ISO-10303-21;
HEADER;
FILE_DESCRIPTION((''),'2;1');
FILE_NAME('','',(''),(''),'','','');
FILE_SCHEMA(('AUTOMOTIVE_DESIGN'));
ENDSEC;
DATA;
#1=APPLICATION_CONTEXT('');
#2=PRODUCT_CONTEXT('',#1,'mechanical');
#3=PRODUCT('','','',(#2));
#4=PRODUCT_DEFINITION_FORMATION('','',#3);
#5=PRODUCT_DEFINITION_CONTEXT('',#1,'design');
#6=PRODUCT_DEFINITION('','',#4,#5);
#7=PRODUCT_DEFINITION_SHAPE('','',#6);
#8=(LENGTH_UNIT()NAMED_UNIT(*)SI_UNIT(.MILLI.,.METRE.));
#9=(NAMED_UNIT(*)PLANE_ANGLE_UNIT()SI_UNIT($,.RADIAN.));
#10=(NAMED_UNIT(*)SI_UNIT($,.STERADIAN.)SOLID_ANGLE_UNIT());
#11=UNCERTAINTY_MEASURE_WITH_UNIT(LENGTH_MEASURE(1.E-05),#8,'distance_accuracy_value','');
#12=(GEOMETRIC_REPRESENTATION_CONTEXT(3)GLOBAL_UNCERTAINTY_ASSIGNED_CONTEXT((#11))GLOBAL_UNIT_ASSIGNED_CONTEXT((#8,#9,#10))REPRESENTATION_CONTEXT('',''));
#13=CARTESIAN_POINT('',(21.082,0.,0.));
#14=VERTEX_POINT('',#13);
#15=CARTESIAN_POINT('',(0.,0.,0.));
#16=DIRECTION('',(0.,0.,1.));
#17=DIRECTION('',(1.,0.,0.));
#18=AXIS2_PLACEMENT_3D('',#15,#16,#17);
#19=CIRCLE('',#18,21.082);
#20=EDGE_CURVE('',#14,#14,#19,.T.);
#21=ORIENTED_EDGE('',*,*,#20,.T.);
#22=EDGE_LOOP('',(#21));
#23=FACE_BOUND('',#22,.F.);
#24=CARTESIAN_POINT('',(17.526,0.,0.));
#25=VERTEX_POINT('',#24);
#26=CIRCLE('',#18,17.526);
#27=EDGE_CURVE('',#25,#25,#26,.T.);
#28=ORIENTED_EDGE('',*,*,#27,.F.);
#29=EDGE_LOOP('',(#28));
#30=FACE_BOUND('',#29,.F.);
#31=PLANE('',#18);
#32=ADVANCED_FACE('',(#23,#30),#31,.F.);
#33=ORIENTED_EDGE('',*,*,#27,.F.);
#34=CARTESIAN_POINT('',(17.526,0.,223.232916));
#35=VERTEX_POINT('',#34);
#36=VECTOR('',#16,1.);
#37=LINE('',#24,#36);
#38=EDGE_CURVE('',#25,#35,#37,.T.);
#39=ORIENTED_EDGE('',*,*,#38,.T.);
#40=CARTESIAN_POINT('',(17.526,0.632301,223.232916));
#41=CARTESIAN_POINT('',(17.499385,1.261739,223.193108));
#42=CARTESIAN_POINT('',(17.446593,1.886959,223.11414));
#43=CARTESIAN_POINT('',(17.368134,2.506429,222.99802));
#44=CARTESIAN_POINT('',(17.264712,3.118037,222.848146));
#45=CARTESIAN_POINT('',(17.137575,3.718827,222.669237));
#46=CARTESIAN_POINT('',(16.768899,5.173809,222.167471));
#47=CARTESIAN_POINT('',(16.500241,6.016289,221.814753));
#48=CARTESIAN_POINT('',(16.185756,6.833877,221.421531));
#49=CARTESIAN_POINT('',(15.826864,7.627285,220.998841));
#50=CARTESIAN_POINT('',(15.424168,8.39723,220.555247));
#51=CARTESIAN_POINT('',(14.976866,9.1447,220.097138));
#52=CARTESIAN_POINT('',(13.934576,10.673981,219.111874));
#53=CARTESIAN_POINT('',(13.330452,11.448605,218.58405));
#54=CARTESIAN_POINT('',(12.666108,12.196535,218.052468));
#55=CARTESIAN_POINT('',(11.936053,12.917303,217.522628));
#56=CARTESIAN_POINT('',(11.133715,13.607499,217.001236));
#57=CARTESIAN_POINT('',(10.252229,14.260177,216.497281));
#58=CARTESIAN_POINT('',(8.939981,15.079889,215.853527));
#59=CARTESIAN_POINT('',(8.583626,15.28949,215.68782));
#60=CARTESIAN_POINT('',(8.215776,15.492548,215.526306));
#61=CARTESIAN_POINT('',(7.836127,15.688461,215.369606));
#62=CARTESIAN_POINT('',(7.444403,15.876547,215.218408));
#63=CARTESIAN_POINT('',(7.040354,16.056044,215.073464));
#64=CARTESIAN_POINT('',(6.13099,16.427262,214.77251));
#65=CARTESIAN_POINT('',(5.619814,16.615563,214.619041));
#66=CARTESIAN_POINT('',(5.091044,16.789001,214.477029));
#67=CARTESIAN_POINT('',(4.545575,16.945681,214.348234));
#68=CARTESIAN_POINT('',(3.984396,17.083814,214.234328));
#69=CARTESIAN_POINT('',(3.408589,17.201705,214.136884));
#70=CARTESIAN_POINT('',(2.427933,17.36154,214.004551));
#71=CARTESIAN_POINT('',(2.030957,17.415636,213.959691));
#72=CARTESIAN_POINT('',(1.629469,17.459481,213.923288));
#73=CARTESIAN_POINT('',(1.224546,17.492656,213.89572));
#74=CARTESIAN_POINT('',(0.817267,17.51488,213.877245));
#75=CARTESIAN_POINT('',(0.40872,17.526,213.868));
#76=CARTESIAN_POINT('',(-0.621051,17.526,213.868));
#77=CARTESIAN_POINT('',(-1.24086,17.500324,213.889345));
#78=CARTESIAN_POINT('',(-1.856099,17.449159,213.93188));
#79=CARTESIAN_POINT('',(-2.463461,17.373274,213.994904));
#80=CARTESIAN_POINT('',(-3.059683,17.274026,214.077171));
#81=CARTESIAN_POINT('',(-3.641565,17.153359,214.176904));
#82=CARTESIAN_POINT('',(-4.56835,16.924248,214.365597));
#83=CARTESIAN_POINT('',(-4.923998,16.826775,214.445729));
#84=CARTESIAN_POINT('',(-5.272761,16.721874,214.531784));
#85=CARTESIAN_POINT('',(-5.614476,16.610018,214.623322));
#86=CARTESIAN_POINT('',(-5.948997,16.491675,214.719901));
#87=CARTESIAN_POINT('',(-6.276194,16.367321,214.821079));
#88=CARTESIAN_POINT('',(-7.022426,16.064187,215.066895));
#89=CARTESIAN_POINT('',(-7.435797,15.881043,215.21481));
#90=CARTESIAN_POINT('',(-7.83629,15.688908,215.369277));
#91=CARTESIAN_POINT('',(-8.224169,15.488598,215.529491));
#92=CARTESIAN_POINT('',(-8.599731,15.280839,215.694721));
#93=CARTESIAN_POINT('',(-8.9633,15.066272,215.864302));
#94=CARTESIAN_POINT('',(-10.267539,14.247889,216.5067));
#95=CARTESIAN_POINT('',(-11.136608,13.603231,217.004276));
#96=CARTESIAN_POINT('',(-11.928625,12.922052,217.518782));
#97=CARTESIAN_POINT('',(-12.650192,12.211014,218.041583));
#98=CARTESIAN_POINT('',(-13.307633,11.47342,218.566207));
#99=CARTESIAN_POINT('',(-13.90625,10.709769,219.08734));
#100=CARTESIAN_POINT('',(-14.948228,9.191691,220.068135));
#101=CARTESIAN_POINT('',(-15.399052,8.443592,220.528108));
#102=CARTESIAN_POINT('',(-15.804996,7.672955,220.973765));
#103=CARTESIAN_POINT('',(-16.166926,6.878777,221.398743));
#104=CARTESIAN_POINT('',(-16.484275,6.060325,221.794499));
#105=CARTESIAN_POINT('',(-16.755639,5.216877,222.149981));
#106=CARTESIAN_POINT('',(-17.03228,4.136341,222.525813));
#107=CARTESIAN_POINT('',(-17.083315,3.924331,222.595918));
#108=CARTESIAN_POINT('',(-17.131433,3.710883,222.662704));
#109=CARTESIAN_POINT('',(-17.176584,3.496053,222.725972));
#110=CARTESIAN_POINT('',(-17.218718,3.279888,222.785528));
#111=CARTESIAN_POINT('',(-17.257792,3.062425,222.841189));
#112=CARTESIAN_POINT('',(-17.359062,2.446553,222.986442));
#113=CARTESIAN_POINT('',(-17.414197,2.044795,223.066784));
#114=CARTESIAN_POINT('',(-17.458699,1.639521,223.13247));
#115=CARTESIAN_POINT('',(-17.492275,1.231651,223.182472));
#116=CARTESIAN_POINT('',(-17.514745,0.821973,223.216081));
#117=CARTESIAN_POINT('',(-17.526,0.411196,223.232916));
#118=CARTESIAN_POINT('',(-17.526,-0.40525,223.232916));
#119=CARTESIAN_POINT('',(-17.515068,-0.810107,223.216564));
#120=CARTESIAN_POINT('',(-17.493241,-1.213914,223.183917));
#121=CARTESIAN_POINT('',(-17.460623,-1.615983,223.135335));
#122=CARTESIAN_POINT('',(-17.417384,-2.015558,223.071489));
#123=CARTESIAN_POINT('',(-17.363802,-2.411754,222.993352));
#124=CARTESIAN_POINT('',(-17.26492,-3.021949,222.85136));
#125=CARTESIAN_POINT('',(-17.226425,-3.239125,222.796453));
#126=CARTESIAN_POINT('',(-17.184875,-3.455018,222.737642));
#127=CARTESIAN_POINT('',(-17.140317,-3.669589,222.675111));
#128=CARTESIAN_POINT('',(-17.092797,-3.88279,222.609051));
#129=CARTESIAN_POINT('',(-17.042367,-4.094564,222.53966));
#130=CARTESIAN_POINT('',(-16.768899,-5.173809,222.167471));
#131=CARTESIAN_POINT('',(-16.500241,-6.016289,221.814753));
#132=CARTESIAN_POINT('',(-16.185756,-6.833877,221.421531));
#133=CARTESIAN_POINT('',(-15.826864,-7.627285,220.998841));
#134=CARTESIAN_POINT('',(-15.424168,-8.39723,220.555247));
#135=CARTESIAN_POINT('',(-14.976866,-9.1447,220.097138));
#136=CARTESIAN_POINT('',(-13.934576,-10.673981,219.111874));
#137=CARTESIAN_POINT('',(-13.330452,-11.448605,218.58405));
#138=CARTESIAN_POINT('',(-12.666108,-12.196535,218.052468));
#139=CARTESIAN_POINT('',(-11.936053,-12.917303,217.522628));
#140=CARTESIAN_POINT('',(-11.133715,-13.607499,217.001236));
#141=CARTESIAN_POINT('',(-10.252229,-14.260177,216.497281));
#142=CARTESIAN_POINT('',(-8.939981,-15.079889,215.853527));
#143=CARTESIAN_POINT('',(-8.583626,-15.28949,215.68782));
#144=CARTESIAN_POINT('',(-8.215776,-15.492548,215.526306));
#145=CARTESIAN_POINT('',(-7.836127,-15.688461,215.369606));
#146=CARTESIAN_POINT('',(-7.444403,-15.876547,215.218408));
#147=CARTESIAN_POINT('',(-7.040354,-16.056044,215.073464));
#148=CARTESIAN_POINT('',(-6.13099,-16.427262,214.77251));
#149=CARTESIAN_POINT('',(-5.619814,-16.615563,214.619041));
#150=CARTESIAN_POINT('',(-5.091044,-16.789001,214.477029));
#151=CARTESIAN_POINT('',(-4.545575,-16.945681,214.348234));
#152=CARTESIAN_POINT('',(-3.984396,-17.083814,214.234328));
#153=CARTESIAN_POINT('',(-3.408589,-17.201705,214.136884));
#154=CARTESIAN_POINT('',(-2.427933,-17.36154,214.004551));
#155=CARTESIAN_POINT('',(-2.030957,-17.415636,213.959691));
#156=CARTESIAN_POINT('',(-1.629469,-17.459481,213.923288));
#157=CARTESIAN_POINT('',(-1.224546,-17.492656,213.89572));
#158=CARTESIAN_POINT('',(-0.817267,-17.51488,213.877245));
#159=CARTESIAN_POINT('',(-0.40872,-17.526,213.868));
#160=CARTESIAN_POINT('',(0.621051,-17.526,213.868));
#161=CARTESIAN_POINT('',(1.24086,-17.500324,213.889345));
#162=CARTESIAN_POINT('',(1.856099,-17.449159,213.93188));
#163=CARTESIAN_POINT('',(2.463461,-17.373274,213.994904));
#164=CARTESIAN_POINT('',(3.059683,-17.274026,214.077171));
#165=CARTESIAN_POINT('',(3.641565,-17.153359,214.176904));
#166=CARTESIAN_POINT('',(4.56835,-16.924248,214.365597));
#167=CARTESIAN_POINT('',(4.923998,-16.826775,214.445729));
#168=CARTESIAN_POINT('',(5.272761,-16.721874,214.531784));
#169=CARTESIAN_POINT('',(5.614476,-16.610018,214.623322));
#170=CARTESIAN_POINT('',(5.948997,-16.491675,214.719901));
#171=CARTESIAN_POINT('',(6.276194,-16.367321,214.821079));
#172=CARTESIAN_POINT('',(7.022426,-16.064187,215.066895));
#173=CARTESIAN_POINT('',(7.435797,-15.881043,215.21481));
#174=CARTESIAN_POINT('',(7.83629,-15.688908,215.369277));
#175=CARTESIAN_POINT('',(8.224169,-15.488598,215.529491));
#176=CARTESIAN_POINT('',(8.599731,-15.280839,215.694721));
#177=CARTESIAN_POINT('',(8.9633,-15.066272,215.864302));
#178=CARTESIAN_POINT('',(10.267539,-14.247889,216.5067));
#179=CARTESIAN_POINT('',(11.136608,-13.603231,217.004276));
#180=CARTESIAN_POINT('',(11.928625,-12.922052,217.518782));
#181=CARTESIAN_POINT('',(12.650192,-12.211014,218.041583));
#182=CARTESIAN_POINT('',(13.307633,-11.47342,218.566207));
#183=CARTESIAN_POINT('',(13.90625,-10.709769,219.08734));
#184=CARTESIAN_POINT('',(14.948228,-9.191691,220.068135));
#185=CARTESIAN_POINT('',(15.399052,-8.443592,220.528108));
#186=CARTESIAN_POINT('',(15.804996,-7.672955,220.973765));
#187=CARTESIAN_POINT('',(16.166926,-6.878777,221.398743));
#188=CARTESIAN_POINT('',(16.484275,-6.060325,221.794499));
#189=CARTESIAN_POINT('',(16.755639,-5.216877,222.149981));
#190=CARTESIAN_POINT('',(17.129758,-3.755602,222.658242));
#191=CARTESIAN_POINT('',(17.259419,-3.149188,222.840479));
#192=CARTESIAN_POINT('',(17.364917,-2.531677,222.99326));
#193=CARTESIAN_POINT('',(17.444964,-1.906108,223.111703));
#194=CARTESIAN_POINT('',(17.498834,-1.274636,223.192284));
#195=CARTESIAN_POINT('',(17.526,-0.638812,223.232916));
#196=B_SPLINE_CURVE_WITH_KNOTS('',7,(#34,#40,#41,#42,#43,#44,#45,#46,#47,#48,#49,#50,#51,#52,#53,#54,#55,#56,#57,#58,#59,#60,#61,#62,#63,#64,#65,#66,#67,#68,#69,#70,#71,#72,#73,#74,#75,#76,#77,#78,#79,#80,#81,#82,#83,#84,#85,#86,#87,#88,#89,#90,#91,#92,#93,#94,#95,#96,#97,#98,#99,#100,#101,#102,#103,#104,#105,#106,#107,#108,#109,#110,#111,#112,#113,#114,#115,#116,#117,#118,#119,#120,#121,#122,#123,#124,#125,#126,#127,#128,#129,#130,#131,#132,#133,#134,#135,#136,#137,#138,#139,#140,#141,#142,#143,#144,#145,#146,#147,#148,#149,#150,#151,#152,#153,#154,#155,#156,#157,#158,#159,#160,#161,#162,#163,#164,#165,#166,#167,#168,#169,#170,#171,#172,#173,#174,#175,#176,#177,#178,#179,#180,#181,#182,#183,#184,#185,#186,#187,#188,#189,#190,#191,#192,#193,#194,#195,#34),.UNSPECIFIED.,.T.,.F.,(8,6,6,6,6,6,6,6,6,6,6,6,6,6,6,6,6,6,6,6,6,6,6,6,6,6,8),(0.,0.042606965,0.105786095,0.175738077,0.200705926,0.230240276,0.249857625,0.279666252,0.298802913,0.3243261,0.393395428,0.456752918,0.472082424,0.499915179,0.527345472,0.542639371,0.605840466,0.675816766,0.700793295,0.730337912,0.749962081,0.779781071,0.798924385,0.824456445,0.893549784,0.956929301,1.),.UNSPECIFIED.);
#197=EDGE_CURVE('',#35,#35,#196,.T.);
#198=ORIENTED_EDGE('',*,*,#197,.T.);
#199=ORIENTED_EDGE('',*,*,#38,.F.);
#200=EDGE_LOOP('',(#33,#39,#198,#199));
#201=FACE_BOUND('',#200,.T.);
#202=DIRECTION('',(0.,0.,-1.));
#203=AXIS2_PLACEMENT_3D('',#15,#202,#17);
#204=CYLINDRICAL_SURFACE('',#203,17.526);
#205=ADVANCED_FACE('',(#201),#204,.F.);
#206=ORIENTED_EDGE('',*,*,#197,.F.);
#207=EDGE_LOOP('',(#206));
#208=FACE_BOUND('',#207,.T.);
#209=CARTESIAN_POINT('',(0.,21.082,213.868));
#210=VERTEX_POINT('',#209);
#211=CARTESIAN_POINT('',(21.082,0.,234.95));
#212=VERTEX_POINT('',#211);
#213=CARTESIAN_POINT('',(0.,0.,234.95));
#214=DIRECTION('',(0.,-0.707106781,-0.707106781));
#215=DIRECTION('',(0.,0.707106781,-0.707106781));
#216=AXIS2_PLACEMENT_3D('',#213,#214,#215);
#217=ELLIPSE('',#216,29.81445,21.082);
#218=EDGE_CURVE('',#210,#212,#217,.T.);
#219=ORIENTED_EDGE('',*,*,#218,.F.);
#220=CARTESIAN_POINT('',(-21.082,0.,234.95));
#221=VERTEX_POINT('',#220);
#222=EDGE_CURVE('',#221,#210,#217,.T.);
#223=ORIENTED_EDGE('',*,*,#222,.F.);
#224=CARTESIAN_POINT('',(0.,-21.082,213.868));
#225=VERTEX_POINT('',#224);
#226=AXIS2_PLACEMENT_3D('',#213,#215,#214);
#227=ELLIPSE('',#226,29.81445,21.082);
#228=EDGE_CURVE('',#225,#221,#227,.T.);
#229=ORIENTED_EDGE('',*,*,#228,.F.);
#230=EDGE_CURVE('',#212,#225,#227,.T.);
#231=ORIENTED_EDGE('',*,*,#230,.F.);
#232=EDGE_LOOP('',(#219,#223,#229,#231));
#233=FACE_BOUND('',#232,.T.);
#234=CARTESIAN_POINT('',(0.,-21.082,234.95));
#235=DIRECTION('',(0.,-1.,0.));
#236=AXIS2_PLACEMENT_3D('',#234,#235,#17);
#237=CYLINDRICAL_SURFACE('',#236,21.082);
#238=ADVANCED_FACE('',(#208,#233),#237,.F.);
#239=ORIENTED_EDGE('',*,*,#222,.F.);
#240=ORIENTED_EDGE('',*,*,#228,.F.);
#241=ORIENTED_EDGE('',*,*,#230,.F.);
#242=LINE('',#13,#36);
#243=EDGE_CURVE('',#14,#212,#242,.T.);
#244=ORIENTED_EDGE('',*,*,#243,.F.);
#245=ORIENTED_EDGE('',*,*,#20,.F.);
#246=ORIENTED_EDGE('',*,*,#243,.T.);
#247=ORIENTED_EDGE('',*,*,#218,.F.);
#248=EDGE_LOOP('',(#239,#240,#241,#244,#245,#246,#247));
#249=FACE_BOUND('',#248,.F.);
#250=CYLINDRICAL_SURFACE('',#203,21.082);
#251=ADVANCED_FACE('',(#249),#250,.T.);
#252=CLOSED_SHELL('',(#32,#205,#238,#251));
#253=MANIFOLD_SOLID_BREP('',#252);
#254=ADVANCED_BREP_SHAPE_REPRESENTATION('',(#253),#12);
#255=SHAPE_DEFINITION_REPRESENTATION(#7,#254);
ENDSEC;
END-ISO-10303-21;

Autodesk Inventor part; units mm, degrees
ref_plane "Start plane" through (0, 0, 0) normal (0, 0, 1) x (1, 0, 0)
ref_plane "End plane" through (0, 0, 234.95) normal (0, 0, 1) x (1, 0, 0)
sketch "Sketch" plane through (0, 0, 0) normal (0, 0, 1) x (1, 0, 0)
  circle A0 centre (0, 0) radius 17.526
  circle A1 centre (0, 0) radius 21.082
  dimension "d0" = 42.164
  dimension "d1" = 3.556
extrude "Body" add sketch "Sketch" along normal up to surface (234.95 mm away) from surface at 0
sketch "Sketch3" plane through (0, 0, 0) normal (0, 0, 1) x (1, 0, 0)
  line L0 (0, 0) -> (10, 0)
ref_plane "Work Plane3" through (0, 0, 0) normal (0, -1, 0) x (1, 0, 0)
sketch "Sketch4" plane through (0, 0, 0) normal (0, -1, 0) x (1, 0, 0)
  line L0 (-2, 0) -> (12, 0)
  line L1 (-2, 234.95) -> (12, 234.95)
  dimension "d7" = 234.95
ref_plane "Work Plane4" through (0, -21.082, 234.95) normal (0, 1, 0) x (1, 0, 0)
ref_plane "Work Plane5" through (0, 740.918, 234.95) normal (0, 1, 0) x (1, 0, 0)
ref_plane "Work Plane6" through (0, 359.918, 234.95) normal (0, 1, 0) x (1, 0, 0)
sketch "Sketch5" plane through (0, 359.918, 234.95) normal (0, 1, 0) x (1, 0, 0)
  circle A0 centre (0, 0) radius 21.082
  circle A1 centre (0, 0) radius 17.526
extrude "Extrusion2" cut sketch "Sketch5" along normal up to surface (762 mm away) from surface at -381 contours A0 | A1
equation "\"d0\" = G_H"
equation "\"d1\" = G_T"
equation "\"d2\" = G_L"
equation "\"G_H\" = 42.164"
equation "\"G_T\" = 3.556"
equation "\"G_L\" = d7"
equation "\"G_OFFSET_START\" = 0"
equation "\"G_OFFSET_END\" = 0"
equation "\"d5\" = G_OFFSET_END + B_L"
equation "\"B_L\" = 234.95"
properties part number "ANSI - 1 1/4 x 0.140 - 9.25" material "Aluminum 6061"
